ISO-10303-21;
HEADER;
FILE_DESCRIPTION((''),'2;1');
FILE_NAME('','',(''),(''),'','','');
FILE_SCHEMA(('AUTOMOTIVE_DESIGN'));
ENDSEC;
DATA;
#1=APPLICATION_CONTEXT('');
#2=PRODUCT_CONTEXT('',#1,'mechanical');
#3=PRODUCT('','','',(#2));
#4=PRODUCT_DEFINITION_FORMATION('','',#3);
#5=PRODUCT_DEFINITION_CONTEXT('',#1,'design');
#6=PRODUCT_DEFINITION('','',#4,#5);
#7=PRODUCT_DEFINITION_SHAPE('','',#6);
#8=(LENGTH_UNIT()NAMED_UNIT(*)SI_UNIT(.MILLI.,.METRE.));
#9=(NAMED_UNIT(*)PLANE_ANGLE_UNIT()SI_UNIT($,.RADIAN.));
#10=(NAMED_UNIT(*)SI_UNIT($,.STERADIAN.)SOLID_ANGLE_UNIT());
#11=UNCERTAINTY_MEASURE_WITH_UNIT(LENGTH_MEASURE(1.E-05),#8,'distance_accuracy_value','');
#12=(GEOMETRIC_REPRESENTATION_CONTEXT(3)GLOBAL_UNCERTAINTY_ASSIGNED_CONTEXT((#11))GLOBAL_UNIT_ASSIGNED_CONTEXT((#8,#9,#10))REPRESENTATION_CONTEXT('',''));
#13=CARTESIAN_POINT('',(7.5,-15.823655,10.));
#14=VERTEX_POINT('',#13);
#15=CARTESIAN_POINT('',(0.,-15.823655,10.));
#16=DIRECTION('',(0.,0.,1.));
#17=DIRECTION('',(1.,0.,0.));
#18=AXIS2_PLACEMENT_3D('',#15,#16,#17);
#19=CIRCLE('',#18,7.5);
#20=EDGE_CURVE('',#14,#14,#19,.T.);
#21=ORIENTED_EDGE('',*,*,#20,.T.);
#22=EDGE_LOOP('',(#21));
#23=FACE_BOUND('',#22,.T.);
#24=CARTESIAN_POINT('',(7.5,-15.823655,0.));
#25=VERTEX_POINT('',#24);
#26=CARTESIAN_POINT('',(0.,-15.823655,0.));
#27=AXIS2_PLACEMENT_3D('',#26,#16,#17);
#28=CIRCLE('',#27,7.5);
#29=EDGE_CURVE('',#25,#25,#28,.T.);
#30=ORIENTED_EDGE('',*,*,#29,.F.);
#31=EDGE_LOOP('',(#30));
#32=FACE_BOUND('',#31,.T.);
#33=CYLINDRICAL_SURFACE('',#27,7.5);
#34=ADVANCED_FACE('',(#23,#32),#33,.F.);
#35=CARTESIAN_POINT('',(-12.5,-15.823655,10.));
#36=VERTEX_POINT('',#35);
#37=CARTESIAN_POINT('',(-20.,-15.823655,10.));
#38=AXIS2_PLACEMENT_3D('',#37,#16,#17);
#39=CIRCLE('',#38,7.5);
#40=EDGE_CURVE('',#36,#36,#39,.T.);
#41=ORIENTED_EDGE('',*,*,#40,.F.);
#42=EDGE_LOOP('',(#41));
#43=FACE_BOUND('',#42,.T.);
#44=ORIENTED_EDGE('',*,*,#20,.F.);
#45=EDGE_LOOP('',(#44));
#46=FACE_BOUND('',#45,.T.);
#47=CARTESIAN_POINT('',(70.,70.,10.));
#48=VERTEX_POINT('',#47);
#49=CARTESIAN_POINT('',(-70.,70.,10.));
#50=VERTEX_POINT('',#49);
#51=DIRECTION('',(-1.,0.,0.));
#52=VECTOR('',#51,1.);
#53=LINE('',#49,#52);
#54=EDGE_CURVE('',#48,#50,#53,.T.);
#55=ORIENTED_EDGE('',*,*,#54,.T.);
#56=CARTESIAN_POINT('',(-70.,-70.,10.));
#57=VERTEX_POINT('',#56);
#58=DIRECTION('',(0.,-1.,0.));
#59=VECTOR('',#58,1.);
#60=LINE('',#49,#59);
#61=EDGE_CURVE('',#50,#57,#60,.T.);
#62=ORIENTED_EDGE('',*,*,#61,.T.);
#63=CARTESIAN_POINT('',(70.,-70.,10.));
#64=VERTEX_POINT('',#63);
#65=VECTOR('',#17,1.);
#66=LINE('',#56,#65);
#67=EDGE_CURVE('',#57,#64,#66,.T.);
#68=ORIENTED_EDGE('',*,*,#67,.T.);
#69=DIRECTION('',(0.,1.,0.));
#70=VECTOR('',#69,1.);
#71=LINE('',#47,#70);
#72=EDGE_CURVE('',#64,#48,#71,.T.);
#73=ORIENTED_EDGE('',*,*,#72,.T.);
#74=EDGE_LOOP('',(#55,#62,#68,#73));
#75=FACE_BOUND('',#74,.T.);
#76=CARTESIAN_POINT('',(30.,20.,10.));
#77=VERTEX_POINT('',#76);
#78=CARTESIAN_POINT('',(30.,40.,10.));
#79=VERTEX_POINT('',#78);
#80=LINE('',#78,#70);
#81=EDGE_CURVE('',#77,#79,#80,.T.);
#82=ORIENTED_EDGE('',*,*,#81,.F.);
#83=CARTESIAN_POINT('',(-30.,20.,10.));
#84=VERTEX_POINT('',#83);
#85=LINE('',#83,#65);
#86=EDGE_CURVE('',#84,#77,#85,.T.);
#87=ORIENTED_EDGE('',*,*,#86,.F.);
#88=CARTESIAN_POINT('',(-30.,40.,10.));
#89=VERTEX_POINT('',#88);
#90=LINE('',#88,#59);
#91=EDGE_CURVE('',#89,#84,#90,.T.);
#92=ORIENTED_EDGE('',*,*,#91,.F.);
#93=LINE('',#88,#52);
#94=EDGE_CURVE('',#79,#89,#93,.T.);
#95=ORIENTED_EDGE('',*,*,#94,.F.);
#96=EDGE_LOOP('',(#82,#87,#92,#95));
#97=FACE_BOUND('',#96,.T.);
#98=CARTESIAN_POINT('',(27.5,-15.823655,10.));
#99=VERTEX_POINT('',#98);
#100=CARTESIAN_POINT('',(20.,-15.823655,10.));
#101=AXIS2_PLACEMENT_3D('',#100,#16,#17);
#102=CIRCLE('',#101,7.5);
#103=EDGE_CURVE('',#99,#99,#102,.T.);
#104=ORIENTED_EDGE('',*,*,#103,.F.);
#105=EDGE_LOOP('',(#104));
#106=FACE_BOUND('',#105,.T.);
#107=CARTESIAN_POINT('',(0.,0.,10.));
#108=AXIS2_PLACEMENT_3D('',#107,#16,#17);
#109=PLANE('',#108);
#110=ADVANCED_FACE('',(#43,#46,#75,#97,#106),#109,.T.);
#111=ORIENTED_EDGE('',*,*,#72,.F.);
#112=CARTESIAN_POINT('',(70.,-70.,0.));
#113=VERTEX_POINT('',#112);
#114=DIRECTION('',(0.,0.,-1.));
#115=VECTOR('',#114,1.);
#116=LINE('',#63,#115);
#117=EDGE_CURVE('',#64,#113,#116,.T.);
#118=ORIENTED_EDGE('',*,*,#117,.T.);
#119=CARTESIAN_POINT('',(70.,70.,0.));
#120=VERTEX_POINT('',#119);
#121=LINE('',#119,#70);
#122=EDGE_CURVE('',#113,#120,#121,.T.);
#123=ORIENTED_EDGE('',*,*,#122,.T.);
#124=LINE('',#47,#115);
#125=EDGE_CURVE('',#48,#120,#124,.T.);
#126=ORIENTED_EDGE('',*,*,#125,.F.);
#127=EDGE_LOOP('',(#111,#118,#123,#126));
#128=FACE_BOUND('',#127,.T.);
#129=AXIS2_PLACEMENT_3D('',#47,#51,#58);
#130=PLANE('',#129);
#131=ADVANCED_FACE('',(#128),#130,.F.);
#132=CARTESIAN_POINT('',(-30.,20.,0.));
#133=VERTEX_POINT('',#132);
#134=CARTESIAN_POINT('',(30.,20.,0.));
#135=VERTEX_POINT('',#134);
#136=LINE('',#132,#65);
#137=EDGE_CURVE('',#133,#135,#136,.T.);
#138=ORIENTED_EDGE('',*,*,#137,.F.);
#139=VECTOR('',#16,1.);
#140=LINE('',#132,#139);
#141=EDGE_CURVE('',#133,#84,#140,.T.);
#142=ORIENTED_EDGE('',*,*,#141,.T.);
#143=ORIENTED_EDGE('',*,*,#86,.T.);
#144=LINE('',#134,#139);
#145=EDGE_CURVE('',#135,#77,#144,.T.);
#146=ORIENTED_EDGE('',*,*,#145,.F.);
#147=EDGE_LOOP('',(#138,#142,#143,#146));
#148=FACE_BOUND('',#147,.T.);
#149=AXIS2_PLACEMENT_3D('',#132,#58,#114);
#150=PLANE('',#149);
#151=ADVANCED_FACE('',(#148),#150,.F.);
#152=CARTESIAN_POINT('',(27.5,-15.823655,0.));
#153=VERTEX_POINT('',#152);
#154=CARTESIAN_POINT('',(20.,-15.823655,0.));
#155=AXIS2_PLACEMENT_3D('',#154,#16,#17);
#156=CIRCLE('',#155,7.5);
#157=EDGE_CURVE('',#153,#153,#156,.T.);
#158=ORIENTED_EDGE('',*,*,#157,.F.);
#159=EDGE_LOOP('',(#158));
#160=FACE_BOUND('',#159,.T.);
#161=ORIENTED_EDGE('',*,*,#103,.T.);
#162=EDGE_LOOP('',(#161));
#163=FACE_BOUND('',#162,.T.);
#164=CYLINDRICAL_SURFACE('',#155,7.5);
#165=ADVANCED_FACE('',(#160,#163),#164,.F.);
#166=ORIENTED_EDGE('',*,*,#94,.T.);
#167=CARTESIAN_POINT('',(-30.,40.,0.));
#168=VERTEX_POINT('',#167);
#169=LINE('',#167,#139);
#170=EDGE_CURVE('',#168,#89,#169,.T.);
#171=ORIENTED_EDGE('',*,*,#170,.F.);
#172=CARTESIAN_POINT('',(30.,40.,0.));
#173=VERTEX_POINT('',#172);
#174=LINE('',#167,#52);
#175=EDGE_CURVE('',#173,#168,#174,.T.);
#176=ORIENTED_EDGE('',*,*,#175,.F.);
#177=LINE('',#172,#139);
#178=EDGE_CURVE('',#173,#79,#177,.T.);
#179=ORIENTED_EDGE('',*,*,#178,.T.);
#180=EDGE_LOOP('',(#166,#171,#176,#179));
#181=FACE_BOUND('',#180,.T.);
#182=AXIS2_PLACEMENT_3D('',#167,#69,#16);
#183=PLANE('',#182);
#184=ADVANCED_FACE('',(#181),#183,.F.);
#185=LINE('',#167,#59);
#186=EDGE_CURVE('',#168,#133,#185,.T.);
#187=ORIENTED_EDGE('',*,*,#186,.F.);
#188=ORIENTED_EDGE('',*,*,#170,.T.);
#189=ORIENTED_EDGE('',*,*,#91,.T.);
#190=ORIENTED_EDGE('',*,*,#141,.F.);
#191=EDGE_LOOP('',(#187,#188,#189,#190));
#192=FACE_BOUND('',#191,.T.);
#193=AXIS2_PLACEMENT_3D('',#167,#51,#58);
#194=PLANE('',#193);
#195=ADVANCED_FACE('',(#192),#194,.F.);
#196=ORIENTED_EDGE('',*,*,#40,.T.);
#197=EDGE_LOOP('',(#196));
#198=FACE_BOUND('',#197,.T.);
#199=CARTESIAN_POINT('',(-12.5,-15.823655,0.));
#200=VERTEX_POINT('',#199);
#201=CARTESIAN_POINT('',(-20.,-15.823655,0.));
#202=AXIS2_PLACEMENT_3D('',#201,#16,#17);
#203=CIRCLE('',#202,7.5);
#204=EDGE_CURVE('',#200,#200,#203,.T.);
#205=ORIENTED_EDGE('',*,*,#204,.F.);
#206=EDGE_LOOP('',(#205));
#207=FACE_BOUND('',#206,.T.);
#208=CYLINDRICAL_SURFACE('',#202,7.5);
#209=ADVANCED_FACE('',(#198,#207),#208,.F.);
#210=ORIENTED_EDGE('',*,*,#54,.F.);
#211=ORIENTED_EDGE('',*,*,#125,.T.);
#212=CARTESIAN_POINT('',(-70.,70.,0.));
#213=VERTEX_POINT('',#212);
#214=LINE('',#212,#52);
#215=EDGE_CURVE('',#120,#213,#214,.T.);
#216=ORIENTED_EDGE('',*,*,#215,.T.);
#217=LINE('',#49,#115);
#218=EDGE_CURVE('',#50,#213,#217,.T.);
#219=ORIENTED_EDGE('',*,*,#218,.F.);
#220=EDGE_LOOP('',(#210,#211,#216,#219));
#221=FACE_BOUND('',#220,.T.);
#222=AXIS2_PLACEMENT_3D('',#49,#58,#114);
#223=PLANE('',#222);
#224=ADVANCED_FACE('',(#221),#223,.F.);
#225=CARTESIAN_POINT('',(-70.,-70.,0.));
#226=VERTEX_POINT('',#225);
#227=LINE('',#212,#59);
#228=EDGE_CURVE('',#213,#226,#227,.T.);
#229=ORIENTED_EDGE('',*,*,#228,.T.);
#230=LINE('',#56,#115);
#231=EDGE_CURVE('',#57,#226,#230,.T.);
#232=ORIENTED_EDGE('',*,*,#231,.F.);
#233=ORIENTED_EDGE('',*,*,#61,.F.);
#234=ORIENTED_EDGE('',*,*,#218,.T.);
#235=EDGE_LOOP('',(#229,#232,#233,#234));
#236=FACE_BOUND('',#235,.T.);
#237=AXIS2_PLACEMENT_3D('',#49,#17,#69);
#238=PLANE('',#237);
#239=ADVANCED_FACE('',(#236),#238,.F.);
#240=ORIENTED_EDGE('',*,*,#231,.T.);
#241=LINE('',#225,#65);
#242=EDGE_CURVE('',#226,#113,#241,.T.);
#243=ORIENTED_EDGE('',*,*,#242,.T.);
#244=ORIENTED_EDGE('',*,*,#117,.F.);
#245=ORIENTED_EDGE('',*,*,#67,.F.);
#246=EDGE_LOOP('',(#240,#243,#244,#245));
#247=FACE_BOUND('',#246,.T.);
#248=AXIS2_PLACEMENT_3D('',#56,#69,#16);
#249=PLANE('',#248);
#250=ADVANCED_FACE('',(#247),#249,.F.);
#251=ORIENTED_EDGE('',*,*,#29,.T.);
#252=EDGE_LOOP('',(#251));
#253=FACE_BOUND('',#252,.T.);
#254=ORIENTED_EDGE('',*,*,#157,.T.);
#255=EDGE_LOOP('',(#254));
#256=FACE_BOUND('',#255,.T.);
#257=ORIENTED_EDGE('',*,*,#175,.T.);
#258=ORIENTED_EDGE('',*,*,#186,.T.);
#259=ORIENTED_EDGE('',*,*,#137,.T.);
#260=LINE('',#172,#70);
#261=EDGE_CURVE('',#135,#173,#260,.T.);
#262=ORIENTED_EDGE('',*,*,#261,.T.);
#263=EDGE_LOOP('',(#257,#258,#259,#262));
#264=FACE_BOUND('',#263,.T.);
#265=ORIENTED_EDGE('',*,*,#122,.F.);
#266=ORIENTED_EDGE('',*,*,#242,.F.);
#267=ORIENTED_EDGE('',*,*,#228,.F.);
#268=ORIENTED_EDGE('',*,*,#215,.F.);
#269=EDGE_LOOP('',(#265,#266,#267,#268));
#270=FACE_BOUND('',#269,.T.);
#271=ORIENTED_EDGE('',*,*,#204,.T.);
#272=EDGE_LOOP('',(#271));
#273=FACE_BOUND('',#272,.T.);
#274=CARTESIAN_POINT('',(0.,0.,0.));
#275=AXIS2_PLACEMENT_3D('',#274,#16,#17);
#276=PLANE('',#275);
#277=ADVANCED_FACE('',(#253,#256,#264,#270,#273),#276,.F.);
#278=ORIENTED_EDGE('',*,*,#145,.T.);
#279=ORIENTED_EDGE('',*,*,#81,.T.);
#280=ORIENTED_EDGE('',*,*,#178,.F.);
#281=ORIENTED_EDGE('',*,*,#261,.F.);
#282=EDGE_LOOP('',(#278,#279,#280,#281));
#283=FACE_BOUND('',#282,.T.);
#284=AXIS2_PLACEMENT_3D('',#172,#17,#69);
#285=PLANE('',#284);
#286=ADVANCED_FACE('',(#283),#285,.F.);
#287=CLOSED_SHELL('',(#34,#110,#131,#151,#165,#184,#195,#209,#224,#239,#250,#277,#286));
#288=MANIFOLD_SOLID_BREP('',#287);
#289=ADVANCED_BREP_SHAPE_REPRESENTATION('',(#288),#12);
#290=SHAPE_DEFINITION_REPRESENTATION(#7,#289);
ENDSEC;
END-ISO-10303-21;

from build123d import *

# Parameters (mm, degrees)
SKETCH1_W           = 140
SKETCH1_H           = 140
BOSS_EXTRUDE1_DEPTH = 10
SKETCH2_W           = 60
SKETCH2_H           = 20
CUT_EXTRUDE2_DEPTH  = 100.498743711
SKETCH3_R           = 7.5
CUT_EXTRUDE3_DEPTH  = 100.498743711


with BuildPart() as part:
    # Sketch1 → Boss-Extrude1 (new body)
    with BuildSketch(Plane.XY):
        Rectangle(SKETCH1_W, SKETCH1_H)
    extrude(amount=BOSS_EXTRUDE1_DEPTH)

    # Sketch2 → Cut-Extrude2 (cut, through all)
    with BuildSketch(Plane.XY.offset(10)):
        with Locations((0, 30)):
            Rectangle(SKETCH2_W, SKETCH2_H)
    extrude(amount=-CUT_EXTRUDE2_DEPTH, mode=Mode.SUBTRACT)

    # Sketch3 → Cut-Extrude3 (cut, through all)
    with BuildSketch(Plane.XY.offset(10)):
        with Locations((-20, -15.823655397)):
            Circle(SKETCH3_R)
        with Locations((0, -15.823655397)):
            Circle(SKETCH3_R)
        with Locations((20, -15.823655397)):
            Circle(SKETCH3_R)
    extrude(amount=-CUT_EXTRUDE3_DEPTH, mode=Mode.SUBTRACT)


solid = part.part
